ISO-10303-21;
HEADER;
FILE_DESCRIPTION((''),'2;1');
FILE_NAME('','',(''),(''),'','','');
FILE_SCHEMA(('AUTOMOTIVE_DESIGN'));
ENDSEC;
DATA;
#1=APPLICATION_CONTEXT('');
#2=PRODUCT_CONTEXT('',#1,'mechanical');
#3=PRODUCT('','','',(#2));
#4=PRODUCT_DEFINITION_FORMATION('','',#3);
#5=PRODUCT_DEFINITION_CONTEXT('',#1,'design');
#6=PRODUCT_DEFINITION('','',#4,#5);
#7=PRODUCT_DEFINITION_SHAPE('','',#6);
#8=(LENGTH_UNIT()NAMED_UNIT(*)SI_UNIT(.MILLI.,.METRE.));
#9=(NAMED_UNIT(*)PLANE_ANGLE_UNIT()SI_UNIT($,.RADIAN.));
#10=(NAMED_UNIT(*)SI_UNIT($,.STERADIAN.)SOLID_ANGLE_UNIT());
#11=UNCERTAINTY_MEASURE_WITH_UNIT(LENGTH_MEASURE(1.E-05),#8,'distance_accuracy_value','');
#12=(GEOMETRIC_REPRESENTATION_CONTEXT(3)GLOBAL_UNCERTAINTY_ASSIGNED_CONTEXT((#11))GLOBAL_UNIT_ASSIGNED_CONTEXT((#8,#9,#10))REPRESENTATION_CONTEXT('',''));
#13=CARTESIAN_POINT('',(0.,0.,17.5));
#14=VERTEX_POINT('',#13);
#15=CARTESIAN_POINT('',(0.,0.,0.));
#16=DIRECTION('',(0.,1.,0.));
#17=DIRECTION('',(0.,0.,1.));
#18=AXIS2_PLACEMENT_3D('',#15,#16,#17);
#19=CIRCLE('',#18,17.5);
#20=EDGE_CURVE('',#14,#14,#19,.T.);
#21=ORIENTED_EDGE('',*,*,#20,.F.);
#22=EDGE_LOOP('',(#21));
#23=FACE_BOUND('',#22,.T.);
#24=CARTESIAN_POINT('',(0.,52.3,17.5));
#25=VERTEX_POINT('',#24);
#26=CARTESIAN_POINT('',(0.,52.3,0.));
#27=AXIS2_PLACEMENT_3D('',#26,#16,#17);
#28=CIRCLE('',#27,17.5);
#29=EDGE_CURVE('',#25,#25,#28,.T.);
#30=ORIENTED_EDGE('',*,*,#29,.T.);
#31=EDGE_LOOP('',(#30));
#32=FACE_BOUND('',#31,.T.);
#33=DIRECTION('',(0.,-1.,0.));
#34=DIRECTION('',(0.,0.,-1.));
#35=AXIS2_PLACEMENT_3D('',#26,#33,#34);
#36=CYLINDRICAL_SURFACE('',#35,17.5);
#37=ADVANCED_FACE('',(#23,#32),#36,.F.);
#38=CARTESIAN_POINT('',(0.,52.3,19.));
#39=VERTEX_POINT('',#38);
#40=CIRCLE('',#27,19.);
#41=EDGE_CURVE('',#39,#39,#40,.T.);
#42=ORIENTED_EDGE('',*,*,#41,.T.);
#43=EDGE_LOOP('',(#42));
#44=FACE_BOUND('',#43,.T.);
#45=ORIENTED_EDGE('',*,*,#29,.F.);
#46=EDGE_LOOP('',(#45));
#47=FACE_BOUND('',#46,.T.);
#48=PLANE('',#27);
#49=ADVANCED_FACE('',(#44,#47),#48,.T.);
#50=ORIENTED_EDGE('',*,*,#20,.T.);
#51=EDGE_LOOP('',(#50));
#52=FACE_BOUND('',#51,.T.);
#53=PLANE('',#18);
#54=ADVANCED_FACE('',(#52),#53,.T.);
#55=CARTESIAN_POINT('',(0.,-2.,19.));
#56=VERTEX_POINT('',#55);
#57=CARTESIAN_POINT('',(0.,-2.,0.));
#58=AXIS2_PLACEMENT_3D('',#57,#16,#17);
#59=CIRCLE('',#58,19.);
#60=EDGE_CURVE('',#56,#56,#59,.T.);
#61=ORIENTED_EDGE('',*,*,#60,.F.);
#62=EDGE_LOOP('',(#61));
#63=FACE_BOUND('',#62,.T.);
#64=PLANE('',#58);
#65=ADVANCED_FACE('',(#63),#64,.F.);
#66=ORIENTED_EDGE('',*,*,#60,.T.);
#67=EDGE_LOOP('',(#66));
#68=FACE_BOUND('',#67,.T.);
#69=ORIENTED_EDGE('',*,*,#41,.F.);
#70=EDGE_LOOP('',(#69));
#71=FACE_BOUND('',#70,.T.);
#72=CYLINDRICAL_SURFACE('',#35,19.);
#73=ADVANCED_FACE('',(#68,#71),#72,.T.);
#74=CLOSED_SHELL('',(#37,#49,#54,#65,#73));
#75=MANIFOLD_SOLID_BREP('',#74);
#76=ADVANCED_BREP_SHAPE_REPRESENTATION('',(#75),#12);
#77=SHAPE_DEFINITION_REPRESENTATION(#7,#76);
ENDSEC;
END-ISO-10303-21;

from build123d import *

# Parameters (mm, degrees)
SKETCH1_R                = 19
SKETCH1_R_2              = 17.5
BOSS_EXTRUDE1_DEPTH      = 52.3
RESSALTO_EXTRUS_O1_START = -2
SKETCH1_2_R              = 19
RESSALTO_EXTRUS_O1_DEPTH = 2


with BuildPart() as part:
    # Sketch1 → Boss-Extrude1 (new body)
    with BuildSketch(Plane(origin=(0, 0, 0), x_dir=(1, 0, 0), z_dir=(0, 1, 0))):
        Circle(SKETCH1_R)
        Circle(SKETCH1_R_2, mode=Mode.SUBTRACT)
    extrude(amount=BOSS_EXTRUDE1_DEPTH)

    # Sketch1_2 → Ressalto-extrus_o1 (add)
    with BuildSketch(Plane(origin=(0, 0, 0), x_dir=(1, 0, 0), z_dir=(0, 1, 0)).offset(RESSALTO_EXTRUS_O1_START)):
        Circle(SKETCH1_2_R)
    extrude(amount=RESSALTO_EXTRUS_O1_DEPTH)


solid = part.part
